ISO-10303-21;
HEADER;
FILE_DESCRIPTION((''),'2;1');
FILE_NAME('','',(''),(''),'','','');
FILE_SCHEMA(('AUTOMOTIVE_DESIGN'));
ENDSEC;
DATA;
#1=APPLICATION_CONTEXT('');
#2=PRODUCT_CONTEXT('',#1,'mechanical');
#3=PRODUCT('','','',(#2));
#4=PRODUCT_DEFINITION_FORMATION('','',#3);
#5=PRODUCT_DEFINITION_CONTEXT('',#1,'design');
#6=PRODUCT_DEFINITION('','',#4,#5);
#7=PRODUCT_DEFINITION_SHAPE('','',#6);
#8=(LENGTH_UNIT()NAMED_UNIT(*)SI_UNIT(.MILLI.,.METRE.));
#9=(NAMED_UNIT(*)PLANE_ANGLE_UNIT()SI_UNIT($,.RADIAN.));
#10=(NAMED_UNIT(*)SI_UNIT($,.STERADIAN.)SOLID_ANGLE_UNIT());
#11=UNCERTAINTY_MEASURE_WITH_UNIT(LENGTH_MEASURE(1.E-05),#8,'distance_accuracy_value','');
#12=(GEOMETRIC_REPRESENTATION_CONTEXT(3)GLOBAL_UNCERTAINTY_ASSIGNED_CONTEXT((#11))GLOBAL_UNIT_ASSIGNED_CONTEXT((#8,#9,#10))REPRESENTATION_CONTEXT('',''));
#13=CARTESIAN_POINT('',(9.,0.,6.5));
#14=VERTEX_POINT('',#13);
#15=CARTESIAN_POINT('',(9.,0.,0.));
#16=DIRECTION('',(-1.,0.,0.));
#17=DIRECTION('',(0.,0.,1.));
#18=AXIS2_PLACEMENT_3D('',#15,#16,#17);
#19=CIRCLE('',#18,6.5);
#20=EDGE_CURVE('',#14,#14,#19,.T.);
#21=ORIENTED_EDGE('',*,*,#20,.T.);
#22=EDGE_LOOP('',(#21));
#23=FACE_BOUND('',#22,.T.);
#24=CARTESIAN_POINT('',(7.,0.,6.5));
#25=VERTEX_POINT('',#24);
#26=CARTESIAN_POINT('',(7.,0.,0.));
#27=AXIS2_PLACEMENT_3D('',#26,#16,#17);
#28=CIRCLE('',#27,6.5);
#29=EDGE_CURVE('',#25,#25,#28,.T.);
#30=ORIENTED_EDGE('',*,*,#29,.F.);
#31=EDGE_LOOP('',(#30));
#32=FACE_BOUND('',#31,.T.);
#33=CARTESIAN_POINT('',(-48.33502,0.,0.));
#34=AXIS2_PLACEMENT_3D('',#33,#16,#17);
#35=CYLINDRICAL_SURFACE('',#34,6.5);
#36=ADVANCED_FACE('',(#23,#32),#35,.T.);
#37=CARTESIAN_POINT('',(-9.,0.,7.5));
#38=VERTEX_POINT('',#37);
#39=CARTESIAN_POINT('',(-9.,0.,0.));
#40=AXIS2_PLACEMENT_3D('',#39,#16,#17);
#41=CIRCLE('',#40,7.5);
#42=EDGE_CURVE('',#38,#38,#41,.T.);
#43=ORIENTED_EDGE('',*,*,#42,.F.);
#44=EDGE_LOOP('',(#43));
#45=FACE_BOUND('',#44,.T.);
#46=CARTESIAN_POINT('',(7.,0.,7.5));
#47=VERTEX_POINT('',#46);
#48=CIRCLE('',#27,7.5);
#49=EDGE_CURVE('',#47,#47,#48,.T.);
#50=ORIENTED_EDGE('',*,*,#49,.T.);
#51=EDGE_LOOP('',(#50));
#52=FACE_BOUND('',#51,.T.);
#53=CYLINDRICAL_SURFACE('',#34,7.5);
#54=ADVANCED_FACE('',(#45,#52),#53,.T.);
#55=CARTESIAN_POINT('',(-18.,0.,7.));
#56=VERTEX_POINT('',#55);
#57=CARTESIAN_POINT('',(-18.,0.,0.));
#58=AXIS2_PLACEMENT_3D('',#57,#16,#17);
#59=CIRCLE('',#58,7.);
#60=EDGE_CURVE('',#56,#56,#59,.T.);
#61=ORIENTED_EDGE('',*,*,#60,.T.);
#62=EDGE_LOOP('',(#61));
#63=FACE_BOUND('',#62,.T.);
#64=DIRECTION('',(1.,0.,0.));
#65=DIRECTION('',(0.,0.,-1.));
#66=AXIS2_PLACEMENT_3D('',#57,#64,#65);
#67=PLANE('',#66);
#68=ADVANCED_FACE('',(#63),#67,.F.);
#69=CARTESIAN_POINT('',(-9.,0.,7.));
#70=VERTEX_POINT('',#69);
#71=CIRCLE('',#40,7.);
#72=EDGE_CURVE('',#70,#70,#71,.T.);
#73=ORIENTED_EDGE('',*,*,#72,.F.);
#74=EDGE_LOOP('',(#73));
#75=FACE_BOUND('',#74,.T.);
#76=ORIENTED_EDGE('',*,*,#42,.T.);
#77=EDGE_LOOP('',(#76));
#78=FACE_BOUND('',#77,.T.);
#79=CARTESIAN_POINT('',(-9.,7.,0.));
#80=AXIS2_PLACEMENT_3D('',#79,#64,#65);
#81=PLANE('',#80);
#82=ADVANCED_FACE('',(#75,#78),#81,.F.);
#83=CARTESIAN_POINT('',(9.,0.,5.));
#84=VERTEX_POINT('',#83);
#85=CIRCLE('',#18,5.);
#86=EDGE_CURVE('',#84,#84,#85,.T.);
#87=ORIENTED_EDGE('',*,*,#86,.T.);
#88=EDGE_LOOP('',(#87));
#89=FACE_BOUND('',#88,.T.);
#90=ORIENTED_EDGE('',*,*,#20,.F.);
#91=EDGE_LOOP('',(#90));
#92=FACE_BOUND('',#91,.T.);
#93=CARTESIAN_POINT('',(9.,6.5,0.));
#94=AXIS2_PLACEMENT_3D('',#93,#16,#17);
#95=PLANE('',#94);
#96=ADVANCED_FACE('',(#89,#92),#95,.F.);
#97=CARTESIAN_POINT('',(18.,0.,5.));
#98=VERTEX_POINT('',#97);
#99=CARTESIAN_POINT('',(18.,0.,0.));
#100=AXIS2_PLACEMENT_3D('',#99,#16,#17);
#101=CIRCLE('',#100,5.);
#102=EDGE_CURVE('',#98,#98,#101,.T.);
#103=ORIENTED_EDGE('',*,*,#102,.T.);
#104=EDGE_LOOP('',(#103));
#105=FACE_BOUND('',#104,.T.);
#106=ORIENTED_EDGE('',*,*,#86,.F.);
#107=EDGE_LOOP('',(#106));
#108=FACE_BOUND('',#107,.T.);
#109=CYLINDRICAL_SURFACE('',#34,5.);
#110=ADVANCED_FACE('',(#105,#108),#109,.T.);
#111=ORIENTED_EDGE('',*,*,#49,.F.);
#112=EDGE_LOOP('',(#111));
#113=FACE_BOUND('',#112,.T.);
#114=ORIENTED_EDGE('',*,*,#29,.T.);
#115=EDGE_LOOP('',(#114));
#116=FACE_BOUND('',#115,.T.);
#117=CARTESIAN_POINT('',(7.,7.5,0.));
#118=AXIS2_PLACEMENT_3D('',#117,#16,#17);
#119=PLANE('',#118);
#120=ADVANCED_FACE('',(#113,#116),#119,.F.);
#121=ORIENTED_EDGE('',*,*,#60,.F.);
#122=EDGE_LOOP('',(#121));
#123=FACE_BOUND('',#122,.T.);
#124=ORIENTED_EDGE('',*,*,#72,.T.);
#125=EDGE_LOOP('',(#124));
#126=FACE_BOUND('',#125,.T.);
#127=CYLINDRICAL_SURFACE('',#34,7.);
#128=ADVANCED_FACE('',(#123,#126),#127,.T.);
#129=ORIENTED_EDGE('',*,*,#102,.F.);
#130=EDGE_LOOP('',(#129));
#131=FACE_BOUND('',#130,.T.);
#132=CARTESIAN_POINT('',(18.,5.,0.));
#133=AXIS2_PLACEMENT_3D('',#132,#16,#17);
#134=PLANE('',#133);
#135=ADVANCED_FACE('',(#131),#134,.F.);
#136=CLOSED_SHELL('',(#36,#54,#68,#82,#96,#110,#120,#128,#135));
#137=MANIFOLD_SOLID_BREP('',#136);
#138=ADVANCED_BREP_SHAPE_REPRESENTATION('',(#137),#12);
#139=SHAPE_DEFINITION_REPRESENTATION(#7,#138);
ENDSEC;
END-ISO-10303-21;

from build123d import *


with BuildPart() as part:
    # 草圖1 → 旋轉1 (revolve)
    with BuildSketch(Plane.XY):
        Polygon((-18, 0), (-18, 7), (-9, 7), (-9, 7.5), (7, 7.5), (7, 6.5), (9, 6.5), (9, 5), (18, 5), (18, 0), align=None)
    revolve(axis=Axis((-48.335020186, 0, 0), (1, 0, 0)))


solid = part.part
